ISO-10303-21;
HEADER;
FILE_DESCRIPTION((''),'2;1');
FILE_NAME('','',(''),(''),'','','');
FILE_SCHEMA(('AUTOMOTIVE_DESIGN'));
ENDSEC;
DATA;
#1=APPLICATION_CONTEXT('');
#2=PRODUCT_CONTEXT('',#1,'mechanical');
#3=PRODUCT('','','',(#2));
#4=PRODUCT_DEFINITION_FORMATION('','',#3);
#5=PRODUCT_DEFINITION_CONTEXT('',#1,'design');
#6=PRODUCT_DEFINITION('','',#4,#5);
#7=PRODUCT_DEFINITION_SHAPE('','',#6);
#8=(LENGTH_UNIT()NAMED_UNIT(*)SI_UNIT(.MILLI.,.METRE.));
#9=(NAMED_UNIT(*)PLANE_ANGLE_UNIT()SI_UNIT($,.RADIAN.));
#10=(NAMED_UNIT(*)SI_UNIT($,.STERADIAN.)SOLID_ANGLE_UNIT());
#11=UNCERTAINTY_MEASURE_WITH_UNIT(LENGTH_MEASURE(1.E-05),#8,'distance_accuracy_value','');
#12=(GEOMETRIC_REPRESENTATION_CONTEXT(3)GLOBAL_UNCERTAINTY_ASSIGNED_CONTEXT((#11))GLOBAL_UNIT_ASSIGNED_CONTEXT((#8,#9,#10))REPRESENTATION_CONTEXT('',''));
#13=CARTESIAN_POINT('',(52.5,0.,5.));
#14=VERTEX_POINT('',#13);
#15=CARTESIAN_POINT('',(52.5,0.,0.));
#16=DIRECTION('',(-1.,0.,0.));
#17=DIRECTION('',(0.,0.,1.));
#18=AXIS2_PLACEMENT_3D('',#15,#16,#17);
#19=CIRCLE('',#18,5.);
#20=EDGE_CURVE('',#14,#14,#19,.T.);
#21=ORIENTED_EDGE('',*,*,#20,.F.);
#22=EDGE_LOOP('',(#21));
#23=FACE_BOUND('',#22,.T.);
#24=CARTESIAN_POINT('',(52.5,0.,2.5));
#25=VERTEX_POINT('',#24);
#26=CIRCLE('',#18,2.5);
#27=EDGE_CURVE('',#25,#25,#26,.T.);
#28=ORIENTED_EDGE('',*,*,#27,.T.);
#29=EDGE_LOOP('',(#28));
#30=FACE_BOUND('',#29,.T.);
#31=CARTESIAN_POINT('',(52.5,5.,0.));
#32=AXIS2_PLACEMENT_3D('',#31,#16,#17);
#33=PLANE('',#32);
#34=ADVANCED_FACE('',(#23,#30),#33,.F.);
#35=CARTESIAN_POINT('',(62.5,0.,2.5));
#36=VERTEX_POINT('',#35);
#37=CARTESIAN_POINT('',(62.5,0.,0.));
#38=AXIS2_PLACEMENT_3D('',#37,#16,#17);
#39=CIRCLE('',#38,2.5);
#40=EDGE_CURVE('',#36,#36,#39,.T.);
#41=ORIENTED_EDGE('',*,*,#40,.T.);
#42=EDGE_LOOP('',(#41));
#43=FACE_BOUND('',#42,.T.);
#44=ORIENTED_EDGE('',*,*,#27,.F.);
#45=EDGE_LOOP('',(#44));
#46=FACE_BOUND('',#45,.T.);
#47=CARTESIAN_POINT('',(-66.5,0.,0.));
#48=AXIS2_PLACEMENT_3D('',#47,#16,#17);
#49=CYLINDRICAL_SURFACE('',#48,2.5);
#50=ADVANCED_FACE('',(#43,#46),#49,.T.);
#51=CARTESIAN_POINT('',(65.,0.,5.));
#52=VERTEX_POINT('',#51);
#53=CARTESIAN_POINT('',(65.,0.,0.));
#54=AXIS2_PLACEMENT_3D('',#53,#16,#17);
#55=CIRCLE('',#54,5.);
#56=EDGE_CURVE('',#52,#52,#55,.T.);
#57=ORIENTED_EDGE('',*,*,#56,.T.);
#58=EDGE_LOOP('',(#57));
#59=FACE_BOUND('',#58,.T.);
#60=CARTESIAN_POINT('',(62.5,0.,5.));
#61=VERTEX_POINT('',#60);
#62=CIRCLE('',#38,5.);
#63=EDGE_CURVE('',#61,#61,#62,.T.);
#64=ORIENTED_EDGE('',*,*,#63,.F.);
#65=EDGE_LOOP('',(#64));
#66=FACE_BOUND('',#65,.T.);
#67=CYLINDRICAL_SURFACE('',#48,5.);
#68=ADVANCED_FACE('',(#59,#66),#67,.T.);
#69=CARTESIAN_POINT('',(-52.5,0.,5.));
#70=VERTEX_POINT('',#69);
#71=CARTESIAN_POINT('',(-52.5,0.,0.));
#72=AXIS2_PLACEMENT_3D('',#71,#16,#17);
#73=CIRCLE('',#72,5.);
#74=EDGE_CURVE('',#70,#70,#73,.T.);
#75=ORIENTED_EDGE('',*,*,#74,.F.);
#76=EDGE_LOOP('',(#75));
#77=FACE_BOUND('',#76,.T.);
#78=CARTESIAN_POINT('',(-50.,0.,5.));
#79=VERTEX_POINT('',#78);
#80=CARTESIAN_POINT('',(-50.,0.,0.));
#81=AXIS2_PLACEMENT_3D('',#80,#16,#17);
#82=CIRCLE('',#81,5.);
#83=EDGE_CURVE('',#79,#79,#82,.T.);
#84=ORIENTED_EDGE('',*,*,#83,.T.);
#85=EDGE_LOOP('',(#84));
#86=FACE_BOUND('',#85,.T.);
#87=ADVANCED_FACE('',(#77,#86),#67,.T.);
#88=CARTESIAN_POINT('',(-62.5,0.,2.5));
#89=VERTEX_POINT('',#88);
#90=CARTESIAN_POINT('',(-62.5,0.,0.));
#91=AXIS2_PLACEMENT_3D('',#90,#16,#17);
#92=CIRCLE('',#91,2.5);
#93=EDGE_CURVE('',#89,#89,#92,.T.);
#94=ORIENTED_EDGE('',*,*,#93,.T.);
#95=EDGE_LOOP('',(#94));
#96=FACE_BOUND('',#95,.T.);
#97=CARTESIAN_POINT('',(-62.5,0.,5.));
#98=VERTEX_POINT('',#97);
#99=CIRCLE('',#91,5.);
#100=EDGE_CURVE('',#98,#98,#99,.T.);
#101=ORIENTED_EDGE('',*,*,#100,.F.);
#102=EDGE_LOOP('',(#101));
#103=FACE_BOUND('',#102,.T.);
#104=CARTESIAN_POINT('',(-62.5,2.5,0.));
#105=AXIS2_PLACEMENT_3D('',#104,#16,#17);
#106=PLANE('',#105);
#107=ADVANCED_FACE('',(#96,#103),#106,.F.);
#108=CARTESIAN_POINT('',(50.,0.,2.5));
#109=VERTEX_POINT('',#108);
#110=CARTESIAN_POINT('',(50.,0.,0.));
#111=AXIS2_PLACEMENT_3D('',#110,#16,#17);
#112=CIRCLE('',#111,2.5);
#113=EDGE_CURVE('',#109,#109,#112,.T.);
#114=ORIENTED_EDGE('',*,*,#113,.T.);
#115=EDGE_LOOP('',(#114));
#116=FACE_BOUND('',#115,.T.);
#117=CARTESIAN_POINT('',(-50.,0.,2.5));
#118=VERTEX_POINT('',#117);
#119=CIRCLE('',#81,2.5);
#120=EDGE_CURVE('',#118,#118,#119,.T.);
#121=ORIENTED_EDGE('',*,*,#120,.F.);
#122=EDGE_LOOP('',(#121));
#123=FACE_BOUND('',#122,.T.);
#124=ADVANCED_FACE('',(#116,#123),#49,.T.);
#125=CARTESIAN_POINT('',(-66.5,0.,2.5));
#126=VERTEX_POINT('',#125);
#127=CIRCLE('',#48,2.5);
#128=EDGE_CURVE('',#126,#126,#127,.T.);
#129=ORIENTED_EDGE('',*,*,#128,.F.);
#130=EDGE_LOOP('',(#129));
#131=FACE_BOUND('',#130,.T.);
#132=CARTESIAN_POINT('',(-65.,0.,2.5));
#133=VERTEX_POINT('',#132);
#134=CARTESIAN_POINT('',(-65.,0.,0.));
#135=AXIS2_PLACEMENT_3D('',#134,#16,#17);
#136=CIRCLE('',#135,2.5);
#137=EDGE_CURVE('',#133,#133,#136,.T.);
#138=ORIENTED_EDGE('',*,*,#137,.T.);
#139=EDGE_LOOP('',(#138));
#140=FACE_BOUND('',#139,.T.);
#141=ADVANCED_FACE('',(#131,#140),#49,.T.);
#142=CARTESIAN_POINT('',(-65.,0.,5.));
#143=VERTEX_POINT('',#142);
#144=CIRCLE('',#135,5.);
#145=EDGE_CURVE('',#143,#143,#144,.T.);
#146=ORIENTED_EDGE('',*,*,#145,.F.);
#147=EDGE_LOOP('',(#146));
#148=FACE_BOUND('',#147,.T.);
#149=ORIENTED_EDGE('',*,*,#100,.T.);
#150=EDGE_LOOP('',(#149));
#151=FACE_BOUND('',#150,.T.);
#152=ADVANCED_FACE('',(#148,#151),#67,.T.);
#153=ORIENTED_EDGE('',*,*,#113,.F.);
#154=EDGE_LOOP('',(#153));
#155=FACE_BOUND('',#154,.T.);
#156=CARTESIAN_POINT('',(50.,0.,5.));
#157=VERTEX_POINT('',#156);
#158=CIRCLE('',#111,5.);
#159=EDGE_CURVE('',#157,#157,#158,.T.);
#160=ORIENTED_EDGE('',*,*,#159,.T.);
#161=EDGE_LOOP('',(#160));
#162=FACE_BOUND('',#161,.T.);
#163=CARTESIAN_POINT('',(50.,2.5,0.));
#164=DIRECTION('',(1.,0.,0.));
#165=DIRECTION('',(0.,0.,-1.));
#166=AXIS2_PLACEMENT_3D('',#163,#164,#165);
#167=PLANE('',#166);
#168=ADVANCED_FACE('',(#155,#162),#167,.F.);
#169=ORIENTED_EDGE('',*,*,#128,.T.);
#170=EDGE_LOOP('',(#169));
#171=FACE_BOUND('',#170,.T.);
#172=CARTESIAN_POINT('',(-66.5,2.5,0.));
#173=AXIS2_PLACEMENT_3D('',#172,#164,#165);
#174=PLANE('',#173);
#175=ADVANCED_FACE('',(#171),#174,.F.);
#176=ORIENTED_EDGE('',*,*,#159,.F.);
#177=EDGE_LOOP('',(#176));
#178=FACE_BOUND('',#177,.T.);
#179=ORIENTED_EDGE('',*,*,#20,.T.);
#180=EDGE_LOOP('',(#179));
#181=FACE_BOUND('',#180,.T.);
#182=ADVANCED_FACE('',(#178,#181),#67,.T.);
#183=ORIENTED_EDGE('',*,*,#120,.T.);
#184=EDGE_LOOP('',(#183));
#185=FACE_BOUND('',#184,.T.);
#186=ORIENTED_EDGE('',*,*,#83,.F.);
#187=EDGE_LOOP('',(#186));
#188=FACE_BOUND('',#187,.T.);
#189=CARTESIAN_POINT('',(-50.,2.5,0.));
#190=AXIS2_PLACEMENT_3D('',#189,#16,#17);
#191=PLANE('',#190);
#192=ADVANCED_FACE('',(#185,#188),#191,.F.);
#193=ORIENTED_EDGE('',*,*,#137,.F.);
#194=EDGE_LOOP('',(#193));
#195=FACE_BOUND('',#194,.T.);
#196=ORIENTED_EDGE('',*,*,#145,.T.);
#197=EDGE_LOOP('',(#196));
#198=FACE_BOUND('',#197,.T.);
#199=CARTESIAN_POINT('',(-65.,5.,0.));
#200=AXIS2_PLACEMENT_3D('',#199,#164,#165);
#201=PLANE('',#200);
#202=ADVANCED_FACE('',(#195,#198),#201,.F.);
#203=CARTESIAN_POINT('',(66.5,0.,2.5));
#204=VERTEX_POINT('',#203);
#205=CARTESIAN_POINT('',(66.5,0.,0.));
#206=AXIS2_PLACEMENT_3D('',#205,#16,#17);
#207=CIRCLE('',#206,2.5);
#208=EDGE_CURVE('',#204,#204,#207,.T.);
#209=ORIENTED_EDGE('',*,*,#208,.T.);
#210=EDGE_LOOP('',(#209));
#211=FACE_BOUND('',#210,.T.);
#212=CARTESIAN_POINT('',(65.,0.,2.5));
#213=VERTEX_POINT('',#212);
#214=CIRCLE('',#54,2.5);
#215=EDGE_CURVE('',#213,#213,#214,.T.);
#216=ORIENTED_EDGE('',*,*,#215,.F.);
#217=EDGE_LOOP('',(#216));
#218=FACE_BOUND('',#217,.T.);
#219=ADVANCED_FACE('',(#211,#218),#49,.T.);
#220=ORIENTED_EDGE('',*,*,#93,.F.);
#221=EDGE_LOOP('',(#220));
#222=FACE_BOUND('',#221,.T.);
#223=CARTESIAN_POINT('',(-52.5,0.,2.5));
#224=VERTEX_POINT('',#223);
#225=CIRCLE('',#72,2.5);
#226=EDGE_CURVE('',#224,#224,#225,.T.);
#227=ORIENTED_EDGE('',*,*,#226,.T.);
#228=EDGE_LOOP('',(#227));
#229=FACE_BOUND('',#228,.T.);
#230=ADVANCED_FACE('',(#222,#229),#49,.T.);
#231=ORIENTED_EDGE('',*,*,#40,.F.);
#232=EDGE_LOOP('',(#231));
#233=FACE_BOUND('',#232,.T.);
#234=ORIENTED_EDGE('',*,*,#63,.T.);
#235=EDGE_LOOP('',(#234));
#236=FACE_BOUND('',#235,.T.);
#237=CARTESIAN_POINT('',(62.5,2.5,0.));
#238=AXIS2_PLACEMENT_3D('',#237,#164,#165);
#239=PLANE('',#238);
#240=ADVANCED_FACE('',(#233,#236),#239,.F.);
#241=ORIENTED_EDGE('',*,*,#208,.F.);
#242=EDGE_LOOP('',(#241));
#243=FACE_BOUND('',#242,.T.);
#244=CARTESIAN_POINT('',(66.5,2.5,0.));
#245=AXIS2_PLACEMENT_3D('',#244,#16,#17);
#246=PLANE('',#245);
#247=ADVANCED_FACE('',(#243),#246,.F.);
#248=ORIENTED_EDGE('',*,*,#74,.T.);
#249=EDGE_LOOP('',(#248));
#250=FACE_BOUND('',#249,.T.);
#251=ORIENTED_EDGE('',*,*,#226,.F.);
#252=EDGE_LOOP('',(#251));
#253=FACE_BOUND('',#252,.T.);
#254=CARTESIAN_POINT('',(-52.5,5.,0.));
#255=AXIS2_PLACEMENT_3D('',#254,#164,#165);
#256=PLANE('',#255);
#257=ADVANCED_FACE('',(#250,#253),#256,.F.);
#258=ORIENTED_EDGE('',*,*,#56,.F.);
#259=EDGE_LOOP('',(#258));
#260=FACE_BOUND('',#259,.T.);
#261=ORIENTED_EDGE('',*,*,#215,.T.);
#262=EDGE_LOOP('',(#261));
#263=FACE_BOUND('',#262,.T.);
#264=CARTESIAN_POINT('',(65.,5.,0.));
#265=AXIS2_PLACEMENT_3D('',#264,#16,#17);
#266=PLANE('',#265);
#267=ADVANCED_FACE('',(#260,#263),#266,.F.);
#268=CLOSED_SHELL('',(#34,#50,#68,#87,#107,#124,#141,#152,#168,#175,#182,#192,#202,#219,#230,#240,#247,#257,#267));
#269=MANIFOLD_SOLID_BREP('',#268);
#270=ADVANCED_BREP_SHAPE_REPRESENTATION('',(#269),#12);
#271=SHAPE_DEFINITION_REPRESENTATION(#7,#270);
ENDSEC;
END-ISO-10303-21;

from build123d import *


with BuildPart() as part:
    # Sketch2 → Revolve1 (revolve)
    with BuildSketch(Plane.XY, mode=Mode.PRIVATE) as revolve1_sk:
        Polygon((50, 2.5), (-50, 2.5), (-50, 5), (-52.5, 5), (-52.5, 2.5), (-62.5, 2.5), (-62.5, 5), (-65, 5), (-65, 2.5), (-66.5, 2.5), (-66.5, 0), (66.5, 0), (66.5, 2.5), (65, 2.5), (65, 5), (62.5, 5), (62.5, 2.5), (52.5, 2.5), (52.5, 5), (50, 5), align=None)
    revolve(revolve1_sk.sketch.rotate(Axis((-66.5, 0, 0), (1, 0, 0)), 90), axis=Axis((-66.5, 0, 0), (1, 0, 0)))


solid = part.part
